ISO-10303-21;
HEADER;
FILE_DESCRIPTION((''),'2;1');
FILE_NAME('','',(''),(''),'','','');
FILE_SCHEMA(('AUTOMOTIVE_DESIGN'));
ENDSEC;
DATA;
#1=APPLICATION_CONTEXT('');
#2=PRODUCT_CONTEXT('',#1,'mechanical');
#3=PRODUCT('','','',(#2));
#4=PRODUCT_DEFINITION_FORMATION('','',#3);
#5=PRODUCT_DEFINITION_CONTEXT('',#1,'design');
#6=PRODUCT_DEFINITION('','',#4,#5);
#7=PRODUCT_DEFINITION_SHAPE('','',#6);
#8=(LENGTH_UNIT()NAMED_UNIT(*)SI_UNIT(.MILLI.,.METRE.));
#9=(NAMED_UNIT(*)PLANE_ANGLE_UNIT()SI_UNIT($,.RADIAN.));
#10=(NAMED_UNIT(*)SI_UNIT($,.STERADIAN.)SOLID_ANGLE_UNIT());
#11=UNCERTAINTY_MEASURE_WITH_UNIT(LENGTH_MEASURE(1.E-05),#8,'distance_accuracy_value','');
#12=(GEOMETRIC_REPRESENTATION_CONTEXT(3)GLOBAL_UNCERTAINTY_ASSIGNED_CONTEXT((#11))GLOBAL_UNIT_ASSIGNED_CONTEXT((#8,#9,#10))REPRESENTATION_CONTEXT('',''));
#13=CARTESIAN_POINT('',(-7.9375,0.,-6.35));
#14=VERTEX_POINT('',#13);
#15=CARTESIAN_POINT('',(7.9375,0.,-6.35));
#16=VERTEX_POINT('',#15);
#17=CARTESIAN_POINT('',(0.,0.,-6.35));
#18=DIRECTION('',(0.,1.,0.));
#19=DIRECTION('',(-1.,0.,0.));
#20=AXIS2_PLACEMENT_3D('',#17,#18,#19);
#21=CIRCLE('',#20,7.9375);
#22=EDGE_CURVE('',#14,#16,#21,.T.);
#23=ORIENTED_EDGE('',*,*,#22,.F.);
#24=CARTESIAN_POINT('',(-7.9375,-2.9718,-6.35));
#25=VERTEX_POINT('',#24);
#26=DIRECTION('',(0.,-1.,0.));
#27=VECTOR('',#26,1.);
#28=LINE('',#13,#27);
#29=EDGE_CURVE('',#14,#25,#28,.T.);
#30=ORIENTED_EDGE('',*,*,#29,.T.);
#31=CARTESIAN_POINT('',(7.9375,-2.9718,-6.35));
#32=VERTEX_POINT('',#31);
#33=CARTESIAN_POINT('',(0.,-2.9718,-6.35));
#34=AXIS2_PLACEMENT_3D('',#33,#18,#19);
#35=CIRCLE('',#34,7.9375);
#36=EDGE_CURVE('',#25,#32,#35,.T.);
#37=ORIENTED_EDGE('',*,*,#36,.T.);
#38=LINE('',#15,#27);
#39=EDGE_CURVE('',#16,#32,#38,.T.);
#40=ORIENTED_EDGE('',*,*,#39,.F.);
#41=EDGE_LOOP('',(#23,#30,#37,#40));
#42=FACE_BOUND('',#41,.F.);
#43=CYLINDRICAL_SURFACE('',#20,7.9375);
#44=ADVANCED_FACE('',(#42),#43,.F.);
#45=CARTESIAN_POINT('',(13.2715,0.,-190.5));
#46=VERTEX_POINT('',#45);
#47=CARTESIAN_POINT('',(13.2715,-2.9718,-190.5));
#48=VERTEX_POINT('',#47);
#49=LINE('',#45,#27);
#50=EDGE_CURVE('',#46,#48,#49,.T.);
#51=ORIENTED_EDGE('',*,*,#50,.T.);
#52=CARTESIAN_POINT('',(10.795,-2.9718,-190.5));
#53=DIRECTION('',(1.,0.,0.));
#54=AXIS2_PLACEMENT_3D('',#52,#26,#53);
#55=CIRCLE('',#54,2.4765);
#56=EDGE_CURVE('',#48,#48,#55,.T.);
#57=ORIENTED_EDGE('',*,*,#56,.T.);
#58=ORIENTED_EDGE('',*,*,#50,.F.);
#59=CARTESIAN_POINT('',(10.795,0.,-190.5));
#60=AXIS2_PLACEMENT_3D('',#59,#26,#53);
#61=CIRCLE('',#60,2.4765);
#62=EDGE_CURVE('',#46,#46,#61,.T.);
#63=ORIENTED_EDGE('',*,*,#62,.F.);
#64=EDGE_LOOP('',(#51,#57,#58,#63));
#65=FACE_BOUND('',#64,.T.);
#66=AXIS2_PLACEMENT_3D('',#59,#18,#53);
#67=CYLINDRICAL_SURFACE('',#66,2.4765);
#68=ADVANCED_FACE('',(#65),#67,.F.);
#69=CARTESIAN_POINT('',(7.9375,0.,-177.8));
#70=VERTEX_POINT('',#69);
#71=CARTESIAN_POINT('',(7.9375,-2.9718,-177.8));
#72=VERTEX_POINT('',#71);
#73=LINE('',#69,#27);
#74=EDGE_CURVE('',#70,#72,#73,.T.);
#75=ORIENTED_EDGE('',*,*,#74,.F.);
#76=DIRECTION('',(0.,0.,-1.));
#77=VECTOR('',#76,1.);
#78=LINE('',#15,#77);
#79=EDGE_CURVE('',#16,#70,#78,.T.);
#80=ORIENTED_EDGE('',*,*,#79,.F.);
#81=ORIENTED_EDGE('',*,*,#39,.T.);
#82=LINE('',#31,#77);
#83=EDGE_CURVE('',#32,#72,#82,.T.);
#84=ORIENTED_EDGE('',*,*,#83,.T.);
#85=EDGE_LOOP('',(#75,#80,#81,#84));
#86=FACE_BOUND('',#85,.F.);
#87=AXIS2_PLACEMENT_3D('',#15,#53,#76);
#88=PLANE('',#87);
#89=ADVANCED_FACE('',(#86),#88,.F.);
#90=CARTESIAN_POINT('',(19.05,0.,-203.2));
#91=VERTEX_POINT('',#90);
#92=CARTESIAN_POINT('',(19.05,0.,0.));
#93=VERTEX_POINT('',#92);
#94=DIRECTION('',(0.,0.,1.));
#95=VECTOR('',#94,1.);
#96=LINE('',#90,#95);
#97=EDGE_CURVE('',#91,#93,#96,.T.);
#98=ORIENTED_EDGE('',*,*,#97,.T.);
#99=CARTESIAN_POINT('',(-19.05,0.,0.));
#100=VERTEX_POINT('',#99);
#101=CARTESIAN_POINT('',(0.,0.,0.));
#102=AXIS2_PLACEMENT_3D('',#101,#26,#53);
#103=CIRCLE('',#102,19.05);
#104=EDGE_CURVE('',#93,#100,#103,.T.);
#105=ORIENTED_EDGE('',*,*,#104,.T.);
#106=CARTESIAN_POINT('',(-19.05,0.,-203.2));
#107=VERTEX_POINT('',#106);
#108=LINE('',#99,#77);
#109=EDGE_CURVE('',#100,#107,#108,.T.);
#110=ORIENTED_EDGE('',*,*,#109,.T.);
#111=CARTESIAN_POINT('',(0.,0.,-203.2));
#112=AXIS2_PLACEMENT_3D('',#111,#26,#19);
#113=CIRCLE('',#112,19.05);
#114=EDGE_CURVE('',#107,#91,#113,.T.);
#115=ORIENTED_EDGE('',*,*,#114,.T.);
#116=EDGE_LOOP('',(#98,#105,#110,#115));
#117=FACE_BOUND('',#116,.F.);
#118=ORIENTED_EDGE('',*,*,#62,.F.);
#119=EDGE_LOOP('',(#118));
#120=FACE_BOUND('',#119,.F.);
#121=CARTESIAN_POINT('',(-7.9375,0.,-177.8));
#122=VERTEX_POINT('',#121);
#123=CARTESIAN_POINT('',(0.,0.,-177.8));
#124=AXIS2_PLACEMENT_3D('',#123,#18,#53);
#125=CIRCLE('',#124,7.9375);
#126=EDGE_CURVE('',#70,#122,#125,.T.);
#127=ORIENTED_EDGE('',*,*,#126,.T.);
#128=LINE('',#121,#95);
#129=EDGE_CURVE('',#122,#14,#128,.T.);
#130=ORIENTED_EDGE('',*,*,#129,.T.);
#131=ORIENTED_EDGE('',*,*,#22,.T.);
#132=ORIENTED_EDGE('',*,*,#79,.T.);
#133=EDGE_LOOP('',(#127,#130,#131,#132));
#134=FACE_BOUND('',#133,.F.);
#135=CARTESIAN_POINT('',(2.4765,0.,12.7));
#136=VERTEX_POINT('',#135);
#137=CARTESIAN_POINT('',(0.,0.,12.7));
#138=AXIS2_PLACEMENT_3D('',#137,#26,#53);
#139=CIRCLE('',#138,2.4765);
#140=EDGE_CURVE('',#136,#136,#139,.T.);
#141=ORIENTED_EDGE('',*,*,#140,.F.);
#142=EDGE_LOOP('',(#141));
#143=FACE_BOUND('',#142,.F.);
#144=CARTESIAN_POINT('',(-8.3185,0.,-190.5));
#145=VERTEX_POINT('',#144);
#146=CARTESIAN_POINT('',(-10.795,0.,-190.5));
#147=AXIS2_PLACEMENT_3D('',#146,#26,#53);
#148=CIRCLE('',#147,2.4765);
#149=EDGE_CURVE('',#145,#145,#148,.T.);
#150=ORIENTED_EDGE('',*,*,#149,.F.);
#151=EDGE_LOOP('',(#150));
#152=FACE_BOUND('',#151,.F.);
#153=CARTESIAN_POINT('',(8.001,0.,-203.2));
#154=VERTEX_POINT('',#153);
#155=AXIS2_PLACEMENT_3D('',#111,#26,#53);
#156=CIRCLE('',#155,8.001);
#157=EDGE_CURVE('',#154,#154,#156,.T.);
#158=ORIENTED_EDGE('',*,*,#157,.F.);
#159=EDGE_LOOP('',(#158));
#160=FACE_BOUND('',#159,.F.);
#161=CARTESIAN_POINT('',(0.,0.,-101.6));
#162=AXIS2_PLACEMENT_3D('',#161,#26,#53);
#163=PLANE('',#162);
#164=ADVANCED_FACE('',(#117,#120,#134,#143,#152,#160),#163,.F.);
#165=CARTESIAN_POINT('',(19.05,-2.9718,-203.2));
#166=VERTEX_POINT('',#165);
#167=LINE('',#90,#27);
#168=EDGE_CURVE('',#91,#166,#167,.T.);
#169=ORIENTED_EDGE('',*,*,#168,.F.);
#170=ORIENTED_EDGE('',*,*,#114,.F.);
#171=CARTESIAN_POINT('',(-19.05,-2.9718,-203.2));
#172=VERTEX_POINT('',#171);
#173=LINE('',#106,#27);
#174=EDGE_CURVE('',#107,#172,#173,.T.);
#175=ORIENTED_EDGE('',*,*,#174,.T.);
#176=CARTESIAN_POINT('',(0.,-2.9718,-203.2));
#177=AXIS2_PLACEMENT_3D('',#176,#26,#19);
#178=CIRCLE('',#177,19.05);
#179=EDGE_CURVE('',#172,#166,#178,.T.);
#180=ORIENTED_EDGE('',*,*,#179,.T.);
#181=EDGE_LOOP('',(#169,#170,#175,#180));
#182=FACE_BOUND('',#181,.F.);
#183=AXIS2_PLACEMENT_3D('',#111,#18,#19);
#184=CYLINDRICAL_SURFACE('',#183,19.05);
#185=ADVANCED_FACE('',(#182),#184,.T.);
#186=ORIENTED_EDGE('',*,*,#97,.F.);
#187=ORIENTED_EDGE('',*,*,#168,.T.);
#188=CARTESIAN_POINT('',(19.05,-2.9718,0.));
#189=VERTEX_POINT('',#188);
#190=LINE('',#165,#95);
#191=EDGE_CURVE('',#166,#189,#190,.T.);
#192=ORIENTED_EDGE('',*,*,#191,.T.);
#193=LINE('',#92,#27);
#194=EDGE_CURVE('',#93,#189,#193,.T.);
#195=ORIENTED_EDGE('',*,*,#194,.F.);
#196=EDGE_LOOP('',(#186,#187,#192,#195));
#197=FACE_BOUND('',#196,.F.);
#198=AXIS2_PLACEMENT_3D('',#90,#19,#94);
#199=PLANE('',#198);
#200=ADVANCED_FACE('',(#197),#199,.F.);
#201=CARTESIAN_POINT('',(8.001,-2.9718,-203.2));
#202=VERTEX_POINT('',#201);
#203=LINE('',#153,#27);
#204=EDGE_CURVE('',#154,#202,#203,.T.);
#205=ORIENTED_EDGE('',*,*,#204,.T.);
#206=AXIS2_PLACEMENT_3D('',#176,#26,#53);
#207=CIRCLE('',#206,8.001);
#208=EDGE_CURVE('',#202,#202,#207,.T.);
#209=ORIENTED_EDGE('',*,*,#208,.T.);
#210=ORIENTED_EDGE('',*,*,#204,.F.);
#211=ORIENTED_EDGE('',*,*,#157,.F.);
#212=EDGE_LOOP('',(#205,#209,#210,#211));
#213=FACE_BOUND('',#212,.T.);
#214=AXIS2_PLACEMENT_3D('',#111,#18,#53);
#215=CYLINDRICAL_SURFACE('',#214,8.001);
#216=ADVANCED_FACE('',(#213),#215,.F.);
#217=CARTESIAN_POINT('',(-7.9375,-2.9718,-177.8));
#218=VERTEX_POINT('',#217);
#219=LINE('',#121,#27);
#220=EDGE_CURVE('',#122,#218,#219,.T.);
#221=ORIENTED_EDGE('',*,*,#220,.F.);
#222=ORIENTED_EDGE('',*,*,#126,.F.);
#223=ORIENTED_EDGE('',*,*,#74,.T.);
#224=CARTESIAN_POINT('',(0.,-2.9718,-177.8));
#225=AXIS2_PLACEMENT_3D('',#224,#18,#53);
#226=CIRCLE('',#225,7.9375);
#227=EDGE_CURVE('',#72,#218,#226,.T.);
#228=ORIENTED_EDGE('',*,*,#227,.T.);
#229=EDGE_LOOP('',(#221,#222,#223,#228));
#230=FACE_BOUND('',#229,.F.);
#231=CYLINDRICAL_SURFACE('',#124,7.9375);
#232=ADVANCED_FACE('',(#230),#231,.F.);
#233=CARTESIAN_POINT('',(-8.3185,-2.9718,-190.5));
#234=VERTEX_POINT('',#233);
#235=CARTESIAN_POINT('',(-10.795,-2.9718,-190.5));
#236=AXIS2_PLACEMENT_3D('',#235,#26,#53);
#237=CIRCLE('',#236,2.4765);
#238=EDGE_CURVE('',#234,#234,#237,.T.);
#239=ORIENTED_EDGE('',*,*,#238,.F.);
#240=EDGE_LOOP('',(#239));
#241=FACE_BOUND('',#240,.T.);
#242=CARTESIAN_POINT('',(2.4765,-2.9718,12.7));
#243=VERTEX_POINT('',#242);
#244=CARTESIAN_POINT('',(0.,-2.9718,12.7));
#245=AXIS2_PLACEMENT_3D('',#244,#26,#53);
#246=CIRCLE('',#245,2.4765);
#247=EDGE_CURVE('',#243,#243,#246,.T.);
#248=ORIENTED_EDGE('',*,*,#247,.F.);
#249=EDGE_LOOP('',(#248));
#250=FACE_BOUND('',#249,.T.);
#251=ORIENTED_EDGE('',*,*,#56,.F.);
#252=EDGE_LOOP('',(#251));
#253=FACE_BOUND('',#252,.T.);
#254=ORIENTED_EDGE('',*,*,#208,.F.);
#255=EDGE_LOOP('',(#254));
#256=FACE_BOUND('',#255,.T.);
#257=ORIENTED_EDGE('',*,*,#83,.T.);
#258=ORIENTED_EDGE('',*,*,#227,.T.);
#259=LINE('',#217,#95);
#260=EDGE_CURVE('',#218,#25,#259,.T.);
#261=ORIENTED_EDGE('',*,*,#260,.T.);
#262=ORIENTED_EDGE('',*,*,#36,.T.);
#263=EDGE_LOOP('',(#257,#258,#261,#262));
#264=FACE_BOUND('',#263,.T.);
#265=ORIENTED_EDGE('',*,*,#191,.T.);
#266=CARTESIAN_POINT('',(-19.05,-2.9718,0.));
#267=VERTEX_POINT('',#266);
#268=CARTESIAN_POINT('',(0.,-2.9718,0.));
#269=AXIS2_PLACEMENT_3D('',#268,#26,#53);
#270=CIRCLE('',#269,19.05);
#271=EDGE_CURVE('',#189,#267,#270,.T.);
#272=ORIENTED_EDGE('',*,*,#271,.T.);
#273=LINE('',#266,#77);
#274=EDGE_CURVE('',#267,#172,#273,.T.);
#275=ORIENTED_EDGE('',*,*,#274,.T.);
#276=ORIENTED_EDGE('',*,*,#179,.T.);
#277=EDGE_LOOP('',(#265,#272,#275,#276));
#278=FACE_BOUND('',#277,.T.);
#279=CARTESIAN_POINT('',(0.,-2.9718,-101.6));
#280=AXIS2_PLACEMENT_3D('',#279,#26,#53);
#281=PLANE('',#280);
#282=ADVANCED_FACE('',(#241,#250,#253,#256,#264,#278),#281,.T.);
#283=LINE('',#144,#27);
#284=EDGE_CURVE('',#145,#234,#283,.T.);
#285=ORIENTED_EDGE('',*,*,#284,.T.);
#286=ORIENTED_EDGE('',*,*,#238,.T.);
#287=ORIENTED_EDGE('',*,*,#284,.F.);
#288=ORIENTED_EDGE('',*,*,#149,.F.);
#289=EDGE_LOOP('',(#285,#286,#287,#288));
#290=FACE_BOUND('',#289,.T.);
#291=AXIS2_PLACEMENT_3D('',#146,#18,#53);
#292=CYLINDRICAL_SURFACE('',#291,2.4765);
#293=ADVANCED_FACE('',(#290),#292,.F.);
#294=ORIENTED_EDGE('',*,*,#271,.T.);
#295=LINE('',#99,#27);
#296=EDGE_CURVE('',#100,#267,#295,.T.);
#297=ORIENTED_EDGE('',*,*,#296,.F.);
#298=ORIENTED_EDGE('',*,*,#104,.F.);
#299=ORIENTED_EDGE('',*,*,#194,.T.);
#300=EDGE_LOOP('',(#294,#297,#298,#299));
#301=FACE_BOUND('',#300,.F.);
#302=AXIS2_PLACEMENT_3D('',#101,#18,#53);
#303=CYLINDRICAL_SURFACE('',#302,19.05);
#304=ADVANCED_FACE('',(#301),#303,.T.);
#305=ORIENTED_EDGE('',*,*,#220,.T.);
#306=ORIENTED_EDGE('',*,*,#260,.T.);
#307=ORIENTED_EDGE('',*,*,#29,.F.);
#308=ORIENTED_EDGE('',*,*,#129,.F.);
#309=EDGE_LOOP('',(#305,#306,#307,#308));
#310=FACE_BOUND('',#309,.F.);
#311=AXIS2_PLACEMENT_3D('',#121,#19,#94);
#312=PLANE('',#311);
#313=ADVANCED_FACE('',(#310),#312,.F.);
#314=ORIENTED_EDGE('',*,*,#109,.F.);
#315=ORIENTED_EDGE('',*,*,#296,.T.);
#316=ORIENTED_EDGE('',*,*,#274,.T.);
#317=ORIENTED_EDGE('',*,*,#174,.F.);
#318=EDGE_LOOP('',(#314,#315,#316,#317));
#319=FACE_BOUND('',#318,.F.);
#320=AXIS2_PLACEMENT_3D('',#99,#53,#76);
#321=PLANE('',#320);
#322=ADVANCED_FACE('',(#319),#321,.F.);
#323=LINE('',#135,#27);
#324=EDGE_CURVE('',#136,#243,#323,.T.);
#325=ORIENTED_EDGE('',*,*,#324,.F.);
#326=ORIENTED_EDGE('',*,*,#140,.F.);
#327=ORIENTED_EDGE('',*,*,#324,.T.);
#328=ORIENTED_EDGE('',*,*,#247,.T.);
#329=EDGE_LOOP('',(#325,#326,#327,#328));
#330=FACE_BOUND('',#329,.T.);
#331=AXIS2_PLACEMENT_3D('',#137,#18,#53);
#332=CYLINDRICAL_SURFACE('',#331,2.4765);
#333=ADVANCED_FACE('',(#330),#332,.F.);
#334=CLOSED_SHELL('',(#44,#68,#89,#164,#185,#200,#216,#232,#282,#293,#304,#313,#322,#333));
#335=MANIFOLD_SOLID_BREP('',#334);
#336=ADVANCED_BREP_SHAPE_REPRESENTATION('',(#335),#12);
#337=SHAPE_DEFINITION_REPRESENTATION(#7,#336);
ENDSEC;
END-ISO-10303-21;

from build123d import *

# Parameters (mm, degrees)
F0_R     = 2.4765
F0_R_2   = 8.001
F1_DEPTH = 2.9718


with BuildPart() as f1:
    # F0 (on Front) → F1 (new body)
    with BuildSketch(Plane.XZ):
        with BuildLine():
            Line((-19.05, 0), (-19.05, -203.2))
            ThreePointArc((-19.05, -203.2), (0, -222.25), (19.05, -203.2))
            Line((19.05, -203.2), (19.05, 0))
            ThreePointArc((19.05, 0), (0, 19.05), (-19.05, 0))
        make_face()
        with Locations((-10.795, -190.5)):
            Circle(F0_R, mode=Mode.SUBTRACT)
        with Locations((0, -203.2)):
            Circle(F0_R_2, mode=Mode.SUBTRACT)
        with Locations((10.795, -190.5)):
            Circle(F0_R, mode=Mode.SUBTRACT)
        with BuildLine():
            ThreePointArc((7.9375, -177.8), (0, -185.7375), (-7.9375, -177.8))
            Line((-7.9375, -177.8), (-7.9375, -6.35))
            ThreePointArc((-7.9375, -6.35), (0, 1.5875), (7.9375, -6.35))
            Line((7.9375, -6.35), (7.9375, -177.8))
        make_face(mode=Mode.SUBTRACT)
        with Locations((0, 12.7)):
            Circle(F0_R, mode=Mode.SUBTRACT)
    extrude(amount=F1_DEPTH)


solid = f1.part
